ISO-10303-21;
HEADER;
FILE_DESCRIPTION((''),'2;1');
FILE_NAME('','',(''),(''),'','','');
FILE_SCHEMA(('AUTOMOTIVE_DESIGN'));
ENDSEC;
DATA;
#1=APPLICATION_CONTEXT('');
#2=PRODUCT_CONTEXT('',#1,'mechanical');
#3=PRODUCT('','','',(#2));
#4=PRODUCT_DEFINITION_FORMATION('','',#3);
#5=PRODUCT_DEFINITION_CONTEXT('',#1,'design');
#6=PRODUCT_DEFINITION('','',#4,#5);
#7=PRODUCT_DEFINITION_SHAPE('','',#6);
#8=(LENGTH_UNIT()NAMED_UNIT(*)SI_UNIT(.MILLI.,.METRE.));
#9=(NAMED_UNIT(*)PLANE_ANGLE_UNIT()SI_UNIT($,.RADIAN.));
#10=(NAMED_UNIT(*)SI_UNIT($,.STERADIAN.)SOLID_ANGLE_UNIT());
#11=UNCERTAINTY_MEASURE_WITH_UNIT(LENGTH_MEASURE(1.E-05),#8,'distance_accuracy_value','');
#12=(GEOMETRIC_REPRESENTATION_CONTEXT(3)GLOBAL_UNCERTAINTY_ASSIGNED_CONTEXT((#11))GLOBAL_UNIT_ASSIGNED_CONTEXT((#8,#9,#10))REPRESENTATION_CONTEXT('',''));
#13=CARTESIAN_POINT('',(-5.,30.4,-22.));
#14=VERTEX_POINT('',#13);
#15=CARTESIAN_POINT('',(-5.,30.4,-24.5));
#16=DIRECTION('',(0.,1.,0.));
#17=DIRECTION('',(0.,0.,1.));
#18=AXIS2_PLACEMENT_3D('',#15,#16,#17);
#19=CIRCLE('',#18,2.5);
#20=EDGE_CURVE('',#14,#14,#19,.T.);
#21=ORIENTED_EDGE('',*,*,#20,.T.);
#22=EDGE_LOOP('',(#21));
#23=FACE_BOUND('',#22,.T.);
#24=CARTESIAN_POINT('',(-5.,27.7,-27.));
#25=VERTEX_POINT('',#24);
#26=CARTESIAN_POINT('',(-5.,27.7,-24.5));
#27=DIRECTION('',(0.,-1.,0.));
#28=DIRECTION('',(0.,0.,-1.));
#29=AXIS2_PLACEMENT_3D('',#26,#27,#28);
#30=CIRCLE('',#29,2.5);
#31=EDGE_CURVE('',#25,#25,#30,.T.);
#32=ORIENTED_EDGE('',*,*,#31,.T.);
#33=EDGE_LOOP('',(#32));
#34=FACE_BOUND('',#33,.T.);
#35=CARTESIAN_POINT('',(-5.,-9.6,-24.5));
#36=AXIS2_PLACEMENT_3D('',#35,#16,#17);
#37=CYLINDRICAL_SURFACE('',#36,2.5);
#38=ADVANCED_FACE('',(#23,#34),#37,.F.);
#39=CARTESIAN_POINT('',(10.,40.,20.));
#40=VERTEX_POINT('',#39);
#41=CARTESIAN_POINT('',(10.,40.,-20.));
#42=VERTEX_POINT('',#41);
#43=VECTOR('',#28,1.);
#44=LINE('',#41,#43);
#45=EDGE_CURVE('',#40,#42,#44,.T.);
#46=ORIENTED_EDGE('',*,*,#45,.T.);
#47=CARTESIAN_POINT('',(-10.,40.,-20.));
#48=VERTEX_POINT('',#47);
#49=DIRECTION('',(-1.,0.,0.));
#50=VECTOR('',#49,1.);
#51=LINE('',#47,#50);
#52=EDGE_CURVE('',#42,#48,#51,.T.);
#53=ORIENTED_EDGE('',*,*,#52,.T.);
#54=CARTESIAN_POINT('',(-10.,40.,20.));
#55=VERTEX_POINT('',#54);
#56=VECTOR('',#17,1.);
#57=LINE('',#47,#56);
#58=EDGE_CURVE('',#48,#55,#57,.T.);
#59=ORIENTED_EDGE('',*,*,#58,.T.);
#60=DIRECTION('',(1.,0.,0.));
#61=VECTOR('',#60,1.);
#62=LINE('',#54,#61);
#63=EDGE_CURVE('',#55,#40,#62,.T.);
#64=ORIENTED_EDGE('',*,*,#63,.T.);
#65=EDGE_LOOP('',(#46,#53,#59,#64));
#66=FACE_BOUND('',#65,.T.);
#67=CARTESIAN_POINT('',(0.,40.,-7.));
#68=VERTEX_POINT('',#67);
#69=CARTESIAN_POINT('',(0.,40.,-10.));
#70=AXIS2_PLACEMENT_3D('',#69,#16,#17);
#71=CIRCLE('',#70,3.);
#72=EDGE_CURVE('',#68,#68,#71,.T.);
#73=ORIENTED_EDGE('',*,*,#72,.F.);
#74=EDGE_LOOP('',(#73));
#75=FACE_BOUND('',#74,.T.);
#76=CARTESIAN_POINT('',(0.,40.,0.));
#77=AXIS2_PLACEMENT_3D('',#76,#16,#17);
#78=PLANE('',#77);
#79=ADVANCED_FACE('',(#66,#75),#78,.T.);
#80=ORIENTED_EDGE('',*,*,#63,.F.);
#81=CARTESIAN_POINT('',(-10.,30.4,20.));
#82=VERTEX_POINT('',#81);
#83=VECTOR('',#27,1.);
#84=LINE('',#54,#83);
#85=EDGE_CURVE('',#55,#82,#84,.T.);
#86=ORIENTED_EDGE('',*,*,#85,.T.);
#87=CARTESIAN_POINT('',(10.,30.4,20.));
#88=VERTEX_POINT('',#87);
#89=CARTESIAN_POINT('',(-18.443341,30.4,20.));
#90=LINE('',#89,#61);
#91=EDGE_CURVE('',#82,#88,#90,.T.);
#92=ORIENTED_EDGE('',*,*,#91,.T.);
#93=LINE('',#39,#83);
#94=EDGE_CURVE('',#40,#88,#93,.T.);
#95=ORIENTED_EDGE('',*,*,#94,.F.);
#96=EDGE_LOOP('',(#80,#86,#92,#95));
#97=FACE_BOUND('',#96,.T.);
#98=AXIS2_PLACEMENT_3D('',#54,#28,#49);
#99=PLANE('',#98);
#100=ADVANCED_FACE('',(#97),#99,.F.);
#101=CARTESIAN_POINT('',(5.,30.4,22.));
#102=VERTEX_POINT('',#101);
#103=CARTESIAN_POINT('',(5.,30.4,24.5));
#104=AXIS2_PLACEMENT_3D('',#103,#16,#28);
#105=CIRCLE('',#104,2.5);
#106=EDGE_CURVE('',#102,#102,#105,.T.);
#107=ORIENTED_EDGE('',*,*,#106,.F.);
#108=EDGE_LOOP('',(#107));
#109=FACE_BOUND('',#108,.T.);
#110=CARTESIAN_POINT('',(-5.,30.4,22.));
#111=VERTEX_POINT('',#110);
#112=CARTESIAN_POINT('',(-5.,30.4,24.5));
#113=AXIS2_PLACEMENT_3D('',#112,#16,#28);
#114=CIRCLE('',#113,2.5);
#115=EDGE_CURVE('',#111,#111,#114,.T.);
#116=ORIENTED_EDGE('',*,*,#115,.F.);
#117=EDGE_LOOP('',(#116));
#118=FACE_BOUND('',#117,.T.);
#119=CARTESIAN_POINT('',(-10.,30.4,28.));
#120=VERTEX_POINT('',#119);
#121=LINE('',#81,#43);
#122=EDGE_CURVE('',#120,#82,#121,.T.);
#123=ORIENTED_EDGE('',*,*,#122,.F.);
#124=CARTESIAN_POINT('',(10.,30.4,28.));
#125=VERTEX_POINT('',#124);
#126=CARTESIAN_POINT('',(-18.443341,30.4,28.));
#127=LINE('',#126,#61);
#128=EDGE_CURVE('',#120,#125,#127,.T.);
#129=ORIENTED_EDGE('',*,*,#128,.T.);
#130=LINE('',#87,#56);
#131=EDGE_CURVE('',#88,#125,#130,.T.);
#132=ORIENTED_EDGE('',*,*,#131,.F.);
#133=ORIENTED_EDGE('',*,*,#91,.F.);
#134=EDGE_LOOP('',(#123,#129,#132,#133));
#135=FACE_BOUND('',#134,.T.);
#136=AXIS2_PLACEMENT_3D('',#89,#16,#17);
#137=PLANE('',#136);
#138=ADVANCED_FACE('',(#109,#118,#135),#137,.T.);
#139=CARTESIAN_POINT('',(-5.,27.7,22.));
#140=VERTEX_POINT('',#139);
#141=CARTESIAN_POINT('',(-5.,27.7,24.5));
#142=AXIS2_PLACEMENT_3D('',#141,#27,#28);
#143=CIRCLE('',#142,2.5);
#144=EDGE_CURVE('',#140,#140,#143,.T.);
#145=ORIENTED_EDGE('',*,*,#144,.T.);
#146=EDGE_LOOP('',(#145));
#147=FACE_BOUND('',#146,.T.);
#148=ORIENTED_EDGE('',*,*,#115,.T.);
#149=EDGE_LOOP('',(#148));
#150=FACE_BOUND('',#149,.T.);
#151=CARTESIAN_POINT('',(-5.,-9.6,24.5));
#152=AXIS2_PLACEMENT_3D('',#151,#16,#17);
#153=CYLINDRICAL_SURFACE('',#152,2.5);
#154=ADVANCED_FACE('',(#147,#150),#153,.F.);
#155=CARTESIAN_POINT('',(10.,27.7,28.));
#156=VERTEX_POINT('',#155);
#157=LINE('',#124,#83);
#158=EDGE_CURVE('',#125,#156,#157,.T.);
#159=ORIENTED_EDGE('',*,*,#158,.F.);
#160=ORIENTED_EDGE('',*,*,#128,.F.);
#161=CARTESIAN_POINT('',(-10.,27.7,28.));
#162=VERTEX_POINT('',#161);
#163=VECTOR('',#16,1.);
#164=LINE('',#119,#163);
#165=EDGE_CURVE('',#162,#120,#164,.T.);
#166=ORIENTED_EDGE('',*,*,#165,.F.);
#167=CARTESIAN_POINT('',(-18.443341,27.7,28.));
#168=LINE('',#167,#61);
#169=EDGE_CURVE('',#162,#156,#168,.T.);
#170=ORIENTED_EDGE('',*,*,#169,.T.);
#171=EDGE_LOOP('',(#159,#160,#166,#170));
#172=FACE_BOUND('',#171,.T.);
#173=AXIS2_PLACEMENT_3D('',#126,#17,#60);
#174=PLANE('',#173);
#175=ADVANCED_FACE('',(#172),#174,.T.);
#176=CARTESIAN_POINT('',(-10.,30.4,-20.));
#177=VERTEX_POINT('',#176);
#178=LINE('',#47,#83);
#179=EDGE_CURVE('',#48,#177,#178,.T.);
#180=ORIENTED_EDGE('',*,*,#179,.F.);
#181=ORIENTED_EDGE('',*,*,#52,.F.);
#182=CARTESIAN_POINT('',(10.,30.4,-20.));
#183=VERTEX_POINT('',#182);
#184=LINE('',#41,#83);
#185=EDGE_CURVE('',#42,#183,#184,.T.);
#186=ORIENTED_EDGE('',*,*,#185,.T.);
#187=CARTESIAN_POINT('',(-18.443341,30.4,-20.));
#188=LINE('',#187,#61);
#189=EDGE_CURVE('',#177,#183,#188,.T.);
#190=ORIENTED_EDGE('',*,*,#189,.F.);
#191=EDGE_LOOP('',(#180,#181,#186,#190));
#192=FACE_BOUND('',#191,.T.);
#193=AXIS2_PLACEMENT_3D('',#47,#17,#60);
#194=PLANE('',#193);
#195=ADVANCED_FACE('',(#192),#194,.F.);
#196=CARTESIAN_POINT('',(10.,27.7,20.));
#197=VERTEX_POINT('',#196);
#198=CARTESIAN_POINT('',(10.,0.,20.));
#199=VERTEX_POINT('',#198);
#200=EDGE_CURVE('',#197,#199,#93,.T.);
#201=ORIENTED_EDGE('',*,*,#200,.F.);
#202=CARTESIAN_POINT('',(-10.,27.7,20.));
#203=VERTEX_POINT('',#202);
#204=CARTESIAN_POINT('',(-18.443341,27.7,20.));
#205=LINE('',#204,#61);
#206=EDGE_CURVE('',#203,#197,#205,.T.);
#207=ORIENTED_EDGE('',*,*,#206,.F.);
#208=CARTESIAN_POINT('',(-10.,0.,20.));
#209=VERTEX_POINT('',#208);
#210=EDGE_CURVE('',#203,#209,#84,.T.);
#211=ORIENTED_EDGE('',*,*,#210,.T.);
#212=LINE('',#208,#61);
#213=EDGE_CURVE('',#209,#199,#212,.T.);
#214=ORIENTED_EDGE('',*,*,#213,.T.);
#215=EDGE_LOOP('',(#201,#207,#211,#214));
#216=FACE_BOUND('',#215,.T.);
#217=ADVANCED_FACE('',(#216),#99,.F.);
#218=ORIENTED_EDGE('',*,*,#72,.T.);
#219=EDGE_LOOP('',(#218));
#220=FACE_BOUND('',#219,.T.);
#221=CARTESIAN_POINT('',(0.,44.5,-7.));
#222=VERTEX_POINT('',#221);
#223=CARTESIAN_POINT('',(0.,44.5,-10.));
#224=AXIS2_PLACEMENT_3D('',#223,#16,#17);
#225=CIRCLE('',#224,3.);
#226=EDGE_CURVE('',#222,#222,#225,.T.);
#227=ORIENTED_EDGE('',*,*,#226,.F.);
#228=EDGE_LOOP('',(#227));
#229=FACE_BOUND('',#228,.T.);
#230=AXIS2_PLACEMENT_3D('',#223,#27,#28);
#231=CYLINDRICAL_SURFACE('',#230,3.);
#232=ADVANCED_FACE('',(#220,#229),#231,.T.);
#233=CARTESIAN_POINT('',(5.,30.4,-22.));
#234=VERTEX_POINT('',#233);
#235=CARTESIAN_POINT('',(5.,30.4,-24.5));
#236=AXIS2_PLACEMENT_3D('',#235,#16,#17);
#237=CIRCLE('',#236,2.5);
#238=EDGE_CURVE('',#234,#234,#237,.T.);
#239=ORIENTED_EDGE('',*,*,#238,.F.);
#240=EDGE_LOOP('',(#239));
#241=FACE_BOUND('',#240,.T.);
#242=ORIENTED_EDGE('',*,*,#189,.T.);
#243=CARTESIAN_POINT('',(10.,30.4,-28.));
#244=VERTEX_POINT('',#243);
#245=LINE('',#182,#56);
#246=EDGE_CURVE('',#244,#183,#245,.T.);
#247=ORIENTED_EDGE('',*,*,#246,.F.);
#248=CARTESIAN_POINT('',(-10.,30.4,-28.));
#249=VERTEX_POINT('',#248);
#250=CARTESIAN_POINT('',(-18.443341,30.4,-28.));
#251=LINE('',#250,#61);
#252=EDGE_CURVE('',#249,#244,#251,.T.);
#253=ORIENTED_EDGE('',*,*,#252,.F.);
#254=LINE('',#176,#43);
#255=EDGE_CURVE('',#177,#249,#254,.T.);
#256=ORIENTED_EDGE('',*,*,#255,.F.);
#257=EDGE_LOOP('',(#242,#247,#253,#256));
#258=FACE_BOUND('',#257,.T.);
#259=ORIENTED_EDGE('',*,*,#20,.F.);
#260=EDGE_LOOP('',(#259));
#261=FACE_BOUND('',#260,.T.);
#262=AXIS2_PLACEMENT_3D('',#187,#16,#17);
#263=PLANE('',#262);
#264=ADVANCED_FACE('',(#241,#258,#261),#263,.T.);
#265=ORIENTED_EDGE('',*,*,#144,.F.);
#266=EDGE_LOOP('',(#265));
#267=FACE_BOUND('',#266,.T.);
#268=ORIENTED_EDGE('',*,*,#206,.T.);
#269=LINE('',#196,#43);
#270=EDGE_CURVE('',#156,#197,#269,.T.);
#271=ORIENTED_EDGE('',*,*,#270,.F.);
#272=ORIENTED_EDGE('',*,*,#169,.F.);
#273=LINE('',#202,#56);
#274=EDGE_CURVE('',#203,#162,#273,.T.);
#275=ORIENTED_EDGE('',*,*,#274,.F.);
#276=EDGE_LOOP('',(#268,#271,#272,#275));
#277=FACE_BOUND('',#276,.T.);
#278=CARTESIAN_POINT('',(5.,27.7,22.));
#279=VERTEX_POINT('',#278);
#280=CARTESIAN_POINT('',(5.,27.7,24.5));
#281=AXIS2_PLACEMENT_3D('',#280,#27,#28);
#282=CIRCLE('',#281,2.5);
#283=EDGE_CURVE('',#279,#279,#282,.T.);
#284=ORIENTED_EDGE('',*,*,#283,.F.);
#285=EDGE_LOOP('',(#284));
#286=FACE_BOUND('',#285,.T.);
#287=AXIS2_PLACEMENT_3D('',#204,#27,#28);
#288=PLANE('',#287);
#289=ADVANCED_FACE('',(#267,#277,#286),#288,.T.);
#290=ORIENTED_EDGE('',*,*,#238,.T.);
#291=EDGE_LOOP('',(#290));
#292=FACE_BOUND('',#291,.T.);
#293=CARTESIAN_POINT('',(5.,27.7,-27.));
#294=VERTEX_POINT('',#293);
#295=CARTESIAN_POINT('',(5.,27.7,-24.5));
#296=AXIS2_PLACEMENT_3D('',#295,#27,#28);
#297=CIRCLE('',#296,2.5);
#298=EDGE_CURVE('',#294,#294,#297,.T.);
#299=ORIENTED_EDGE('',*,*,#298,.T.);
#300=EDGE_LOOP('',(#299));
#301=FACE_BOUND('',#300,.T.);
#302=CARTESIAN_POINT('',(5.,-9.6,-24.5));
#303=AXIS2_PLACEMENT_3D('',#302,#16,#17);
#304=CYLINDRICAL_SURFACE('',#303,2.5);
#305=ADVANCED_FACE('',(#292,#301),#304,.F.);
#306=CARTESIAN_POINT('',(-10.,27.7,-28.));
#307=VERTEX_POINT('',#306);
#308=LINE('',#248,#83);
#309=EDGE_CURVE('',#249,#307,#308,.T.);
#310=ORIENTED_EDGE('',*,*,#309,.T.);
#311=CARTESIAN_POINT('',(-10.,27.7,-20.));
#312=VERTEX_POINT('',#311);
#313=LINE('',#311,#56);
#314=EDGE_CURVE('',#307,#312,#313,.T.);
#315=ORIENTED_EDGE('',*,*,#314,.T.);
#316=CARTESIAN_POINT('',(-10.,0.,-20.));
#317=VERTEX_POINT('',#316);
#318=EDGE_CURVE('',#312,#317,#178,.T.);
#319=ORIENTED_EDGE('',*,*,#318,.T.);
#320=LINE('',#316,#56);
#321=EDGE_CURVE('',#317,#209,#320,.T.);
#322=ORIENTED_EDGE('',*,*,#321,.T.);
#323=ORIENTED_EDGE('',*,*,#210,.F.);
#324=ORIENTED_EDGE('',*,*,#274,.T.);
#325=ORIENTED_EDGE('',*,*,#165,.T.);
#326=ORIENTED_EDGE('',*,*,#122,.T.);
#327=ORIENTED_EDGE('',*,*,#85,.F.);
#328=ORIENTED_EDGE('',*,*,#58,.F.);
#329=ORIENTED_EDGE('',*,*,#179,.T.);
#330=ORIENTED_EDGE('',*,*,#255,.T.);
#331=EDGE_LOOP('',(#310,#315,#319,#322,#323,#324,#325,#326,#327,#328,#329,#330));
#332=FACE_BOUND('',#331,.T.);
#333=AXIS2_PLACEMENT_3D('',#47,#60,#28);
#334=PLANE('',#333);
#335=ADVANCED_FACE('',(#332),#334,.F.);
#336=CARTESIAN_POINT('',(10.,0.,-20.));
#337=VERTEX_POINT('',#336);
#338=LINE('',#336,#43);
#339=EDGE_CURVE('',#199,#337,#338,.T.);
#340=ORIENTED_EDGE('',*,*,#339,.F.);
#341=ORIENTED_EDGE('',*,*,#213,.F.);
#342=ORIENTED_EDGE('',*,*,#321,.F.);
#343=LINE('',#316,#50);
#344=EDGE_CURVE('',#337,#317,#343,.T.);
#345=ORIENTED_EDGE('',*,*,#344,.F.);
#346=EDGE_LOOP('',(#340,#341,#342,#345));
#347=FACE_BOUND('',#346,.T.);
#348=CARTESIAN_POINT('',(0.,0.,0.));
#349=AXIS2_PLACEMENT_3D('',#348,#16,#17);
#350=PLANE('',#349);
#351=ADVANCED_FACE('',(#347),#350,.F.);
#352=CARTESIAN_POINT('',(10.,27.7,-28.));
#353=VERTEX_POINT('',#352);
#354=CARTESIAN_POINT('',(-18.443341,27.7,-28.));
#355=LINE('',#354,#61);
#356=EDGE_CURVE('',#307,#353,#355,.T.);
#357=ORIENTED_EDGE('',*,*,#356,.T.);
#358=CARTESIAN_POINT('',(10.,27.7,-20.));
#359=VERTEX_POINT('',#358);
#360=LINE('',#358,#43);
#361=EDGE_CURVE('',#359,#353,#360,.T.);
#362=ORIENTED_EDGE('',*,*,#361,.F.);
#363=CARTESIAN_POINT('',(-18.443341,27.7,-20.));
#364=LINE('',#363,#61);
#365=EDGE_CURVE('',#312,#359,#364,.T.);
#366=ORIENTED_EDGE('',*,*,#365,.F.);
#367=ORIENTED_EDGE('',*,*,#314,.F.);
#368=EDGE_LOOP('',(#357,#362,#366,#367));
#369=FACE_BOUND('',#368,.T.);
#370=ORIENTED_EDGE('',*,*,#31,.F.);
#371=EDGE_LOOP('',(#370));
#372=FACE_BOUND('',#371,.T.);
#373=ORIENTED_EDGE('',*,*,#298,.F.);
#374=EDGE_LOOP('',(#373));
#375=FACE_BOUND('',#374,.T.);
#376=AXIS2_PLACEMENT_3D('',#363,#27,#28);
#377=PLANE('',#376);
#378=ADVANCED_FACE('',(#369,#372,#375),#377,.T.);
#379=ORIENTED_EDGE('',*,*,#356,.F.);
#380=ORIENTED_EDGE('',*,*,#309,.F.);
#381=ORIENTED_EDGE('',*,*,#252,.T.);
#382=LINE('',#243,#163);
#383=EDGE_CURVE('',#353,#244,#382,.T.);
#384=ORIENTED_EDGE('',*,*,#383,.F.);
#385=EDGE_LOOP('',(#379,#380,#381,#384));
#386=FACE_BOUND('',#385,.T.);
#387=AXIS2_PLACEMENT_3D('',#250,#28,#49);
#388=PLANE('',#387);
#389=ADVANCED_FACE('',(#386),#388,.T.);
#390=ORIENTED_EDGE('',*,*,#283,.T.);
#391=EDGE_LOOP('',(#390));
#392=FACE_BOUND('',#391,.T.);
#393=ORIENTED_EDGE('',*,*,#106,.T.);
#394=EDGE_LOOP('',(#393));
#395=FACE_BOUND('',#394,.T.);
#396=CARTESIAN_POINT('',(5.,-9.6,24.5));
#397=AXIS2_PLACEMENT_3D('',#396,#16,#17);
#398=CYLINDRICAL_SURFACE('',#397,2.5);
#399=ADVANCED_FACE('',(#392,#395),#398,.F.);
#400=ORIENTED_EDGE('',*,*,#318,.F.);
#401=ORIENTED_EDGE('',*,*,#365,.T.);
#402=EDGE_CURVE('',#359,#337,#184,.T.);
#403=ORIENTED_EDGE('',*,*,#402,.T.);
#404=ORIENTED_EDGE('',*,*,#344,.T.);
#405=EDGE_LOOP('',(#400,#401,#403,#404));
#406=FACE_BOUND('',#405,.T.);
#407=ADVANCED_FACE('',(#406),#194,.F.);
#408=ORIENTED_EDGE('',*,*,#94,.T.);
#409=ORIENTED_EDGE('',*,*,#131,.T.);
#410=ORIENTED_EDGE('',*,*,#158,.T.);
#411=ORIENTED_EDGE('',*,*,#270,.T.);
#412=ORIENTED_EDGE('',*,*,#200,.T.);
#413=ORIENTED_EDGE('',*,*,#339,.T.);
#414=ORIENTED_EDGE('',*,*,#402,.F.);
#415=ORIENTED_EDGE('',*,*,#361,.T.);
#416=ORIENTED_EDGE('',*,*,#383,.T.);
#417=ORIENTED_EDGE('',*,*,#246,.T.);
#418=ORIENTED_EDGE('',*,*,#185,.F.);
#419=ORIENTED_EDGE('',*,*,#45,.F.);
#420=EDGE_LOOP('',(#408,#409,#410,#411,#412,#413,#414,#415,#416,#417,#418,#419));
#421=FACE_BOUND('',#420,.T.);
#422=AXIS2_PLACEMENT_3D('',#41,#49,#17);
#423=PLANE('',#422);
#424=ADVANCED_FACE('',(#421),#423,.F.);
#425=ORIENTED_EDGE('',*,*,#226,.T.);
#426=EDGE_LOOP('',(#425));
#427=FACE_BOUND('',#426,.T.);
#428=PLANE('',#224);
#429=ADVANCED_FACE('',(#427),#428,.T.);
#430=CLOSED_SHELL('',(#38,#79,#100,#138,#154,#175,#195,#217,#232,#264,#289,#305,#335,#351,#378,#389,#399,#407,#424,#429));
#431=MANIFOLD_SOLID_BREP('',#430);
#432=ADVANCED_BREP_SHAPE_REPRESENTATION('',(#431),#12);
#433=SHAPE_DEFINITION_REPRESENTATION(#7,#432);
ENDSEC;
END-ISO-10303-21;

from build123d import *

# Parameters (mm, degrees)
SKETCH_1_W          = 20
SKETCH_1_H          = 40
EXTRUDE_1_DEPTH     = 40
SKETCH_3_W          = 8
SKETCH_3_H          = 2.7
EXTRUDE_2_DEPTH     = 20
SKETCH_4_R          = 2.5
CUT_EXTRUDE_1_DEPTH = 40
SKETCH_5_R          = 3
EXTRUDE_3_DEPTH     = 4.5


with BuildPart() as part:
    # 草圖1 → 填料-伸長1 (new body)
    with BuildSketch(Plane(origin=(0, 0, 0), x_dir=(1, 0, 0), z_dir=(0, 1, 0))):
        Rectangle(SKETCH_1_W, SKETCH_1_H)
    extrude(amount=EXTRUDE_1_DEPTH)

    # 草圖3 → 填料-伸長2 (add)
    with BuildSketch(Plane(origin=(10, 0, 0), x_dir=(0, 0, -1), z_dir=(1, 0, 0))):
        with Locations((24, 29.05)):
            Rectangle(SKETCH_3_W, SKETCH_3_H)
        with Locations((-24, 29.05)):
            Rectangle(SKETCH_3_W, SKETCH_3_H)
    extrude(amount=-EXTRUDE_2_DEPTH)

    # 草圖4 → 除料-伸長1 (cut)
    with BuildSketch(Plane(origin=(0, 30.4, 0), x_dir=(1, 0, 0), z_dir=(0, 1, 0))):
        with Locations(Location((5, 24.5, 0), (0, 0, 270))):
            Circle(SKETCH_4_R)
        with Locations(Location((-5, 24.5, 0), (0, 0, 270))):
            Circle(SKETCH_4_R)
        with Locations(Location((-5, -24.5, 0), (0, 0, 90))):
            Circle(SKETCH_4_R)
        with Locations(Location((5, -24.5, 0), (0, 0, 90))):
            Circle(SKETCH_4_R)
    extrude(amount=-CUT_EXTRUDE_1_DEPTH, mode=Mode.SUBTRACT)

    # 草圖5 → 填料-伸長3 (add)
    with BuildSketch(Plane(origin=(0, 40, 0), x_dir=(1, 0, 0), z_dir=(0, 1, 0))):
        with Locations(Location((0, 10, 0), (0, 0, 270))):
            Circle(SKETCH_5_R)
    extrude(amount=EXTRUDE_3_DEPTH)


solid = part.part
